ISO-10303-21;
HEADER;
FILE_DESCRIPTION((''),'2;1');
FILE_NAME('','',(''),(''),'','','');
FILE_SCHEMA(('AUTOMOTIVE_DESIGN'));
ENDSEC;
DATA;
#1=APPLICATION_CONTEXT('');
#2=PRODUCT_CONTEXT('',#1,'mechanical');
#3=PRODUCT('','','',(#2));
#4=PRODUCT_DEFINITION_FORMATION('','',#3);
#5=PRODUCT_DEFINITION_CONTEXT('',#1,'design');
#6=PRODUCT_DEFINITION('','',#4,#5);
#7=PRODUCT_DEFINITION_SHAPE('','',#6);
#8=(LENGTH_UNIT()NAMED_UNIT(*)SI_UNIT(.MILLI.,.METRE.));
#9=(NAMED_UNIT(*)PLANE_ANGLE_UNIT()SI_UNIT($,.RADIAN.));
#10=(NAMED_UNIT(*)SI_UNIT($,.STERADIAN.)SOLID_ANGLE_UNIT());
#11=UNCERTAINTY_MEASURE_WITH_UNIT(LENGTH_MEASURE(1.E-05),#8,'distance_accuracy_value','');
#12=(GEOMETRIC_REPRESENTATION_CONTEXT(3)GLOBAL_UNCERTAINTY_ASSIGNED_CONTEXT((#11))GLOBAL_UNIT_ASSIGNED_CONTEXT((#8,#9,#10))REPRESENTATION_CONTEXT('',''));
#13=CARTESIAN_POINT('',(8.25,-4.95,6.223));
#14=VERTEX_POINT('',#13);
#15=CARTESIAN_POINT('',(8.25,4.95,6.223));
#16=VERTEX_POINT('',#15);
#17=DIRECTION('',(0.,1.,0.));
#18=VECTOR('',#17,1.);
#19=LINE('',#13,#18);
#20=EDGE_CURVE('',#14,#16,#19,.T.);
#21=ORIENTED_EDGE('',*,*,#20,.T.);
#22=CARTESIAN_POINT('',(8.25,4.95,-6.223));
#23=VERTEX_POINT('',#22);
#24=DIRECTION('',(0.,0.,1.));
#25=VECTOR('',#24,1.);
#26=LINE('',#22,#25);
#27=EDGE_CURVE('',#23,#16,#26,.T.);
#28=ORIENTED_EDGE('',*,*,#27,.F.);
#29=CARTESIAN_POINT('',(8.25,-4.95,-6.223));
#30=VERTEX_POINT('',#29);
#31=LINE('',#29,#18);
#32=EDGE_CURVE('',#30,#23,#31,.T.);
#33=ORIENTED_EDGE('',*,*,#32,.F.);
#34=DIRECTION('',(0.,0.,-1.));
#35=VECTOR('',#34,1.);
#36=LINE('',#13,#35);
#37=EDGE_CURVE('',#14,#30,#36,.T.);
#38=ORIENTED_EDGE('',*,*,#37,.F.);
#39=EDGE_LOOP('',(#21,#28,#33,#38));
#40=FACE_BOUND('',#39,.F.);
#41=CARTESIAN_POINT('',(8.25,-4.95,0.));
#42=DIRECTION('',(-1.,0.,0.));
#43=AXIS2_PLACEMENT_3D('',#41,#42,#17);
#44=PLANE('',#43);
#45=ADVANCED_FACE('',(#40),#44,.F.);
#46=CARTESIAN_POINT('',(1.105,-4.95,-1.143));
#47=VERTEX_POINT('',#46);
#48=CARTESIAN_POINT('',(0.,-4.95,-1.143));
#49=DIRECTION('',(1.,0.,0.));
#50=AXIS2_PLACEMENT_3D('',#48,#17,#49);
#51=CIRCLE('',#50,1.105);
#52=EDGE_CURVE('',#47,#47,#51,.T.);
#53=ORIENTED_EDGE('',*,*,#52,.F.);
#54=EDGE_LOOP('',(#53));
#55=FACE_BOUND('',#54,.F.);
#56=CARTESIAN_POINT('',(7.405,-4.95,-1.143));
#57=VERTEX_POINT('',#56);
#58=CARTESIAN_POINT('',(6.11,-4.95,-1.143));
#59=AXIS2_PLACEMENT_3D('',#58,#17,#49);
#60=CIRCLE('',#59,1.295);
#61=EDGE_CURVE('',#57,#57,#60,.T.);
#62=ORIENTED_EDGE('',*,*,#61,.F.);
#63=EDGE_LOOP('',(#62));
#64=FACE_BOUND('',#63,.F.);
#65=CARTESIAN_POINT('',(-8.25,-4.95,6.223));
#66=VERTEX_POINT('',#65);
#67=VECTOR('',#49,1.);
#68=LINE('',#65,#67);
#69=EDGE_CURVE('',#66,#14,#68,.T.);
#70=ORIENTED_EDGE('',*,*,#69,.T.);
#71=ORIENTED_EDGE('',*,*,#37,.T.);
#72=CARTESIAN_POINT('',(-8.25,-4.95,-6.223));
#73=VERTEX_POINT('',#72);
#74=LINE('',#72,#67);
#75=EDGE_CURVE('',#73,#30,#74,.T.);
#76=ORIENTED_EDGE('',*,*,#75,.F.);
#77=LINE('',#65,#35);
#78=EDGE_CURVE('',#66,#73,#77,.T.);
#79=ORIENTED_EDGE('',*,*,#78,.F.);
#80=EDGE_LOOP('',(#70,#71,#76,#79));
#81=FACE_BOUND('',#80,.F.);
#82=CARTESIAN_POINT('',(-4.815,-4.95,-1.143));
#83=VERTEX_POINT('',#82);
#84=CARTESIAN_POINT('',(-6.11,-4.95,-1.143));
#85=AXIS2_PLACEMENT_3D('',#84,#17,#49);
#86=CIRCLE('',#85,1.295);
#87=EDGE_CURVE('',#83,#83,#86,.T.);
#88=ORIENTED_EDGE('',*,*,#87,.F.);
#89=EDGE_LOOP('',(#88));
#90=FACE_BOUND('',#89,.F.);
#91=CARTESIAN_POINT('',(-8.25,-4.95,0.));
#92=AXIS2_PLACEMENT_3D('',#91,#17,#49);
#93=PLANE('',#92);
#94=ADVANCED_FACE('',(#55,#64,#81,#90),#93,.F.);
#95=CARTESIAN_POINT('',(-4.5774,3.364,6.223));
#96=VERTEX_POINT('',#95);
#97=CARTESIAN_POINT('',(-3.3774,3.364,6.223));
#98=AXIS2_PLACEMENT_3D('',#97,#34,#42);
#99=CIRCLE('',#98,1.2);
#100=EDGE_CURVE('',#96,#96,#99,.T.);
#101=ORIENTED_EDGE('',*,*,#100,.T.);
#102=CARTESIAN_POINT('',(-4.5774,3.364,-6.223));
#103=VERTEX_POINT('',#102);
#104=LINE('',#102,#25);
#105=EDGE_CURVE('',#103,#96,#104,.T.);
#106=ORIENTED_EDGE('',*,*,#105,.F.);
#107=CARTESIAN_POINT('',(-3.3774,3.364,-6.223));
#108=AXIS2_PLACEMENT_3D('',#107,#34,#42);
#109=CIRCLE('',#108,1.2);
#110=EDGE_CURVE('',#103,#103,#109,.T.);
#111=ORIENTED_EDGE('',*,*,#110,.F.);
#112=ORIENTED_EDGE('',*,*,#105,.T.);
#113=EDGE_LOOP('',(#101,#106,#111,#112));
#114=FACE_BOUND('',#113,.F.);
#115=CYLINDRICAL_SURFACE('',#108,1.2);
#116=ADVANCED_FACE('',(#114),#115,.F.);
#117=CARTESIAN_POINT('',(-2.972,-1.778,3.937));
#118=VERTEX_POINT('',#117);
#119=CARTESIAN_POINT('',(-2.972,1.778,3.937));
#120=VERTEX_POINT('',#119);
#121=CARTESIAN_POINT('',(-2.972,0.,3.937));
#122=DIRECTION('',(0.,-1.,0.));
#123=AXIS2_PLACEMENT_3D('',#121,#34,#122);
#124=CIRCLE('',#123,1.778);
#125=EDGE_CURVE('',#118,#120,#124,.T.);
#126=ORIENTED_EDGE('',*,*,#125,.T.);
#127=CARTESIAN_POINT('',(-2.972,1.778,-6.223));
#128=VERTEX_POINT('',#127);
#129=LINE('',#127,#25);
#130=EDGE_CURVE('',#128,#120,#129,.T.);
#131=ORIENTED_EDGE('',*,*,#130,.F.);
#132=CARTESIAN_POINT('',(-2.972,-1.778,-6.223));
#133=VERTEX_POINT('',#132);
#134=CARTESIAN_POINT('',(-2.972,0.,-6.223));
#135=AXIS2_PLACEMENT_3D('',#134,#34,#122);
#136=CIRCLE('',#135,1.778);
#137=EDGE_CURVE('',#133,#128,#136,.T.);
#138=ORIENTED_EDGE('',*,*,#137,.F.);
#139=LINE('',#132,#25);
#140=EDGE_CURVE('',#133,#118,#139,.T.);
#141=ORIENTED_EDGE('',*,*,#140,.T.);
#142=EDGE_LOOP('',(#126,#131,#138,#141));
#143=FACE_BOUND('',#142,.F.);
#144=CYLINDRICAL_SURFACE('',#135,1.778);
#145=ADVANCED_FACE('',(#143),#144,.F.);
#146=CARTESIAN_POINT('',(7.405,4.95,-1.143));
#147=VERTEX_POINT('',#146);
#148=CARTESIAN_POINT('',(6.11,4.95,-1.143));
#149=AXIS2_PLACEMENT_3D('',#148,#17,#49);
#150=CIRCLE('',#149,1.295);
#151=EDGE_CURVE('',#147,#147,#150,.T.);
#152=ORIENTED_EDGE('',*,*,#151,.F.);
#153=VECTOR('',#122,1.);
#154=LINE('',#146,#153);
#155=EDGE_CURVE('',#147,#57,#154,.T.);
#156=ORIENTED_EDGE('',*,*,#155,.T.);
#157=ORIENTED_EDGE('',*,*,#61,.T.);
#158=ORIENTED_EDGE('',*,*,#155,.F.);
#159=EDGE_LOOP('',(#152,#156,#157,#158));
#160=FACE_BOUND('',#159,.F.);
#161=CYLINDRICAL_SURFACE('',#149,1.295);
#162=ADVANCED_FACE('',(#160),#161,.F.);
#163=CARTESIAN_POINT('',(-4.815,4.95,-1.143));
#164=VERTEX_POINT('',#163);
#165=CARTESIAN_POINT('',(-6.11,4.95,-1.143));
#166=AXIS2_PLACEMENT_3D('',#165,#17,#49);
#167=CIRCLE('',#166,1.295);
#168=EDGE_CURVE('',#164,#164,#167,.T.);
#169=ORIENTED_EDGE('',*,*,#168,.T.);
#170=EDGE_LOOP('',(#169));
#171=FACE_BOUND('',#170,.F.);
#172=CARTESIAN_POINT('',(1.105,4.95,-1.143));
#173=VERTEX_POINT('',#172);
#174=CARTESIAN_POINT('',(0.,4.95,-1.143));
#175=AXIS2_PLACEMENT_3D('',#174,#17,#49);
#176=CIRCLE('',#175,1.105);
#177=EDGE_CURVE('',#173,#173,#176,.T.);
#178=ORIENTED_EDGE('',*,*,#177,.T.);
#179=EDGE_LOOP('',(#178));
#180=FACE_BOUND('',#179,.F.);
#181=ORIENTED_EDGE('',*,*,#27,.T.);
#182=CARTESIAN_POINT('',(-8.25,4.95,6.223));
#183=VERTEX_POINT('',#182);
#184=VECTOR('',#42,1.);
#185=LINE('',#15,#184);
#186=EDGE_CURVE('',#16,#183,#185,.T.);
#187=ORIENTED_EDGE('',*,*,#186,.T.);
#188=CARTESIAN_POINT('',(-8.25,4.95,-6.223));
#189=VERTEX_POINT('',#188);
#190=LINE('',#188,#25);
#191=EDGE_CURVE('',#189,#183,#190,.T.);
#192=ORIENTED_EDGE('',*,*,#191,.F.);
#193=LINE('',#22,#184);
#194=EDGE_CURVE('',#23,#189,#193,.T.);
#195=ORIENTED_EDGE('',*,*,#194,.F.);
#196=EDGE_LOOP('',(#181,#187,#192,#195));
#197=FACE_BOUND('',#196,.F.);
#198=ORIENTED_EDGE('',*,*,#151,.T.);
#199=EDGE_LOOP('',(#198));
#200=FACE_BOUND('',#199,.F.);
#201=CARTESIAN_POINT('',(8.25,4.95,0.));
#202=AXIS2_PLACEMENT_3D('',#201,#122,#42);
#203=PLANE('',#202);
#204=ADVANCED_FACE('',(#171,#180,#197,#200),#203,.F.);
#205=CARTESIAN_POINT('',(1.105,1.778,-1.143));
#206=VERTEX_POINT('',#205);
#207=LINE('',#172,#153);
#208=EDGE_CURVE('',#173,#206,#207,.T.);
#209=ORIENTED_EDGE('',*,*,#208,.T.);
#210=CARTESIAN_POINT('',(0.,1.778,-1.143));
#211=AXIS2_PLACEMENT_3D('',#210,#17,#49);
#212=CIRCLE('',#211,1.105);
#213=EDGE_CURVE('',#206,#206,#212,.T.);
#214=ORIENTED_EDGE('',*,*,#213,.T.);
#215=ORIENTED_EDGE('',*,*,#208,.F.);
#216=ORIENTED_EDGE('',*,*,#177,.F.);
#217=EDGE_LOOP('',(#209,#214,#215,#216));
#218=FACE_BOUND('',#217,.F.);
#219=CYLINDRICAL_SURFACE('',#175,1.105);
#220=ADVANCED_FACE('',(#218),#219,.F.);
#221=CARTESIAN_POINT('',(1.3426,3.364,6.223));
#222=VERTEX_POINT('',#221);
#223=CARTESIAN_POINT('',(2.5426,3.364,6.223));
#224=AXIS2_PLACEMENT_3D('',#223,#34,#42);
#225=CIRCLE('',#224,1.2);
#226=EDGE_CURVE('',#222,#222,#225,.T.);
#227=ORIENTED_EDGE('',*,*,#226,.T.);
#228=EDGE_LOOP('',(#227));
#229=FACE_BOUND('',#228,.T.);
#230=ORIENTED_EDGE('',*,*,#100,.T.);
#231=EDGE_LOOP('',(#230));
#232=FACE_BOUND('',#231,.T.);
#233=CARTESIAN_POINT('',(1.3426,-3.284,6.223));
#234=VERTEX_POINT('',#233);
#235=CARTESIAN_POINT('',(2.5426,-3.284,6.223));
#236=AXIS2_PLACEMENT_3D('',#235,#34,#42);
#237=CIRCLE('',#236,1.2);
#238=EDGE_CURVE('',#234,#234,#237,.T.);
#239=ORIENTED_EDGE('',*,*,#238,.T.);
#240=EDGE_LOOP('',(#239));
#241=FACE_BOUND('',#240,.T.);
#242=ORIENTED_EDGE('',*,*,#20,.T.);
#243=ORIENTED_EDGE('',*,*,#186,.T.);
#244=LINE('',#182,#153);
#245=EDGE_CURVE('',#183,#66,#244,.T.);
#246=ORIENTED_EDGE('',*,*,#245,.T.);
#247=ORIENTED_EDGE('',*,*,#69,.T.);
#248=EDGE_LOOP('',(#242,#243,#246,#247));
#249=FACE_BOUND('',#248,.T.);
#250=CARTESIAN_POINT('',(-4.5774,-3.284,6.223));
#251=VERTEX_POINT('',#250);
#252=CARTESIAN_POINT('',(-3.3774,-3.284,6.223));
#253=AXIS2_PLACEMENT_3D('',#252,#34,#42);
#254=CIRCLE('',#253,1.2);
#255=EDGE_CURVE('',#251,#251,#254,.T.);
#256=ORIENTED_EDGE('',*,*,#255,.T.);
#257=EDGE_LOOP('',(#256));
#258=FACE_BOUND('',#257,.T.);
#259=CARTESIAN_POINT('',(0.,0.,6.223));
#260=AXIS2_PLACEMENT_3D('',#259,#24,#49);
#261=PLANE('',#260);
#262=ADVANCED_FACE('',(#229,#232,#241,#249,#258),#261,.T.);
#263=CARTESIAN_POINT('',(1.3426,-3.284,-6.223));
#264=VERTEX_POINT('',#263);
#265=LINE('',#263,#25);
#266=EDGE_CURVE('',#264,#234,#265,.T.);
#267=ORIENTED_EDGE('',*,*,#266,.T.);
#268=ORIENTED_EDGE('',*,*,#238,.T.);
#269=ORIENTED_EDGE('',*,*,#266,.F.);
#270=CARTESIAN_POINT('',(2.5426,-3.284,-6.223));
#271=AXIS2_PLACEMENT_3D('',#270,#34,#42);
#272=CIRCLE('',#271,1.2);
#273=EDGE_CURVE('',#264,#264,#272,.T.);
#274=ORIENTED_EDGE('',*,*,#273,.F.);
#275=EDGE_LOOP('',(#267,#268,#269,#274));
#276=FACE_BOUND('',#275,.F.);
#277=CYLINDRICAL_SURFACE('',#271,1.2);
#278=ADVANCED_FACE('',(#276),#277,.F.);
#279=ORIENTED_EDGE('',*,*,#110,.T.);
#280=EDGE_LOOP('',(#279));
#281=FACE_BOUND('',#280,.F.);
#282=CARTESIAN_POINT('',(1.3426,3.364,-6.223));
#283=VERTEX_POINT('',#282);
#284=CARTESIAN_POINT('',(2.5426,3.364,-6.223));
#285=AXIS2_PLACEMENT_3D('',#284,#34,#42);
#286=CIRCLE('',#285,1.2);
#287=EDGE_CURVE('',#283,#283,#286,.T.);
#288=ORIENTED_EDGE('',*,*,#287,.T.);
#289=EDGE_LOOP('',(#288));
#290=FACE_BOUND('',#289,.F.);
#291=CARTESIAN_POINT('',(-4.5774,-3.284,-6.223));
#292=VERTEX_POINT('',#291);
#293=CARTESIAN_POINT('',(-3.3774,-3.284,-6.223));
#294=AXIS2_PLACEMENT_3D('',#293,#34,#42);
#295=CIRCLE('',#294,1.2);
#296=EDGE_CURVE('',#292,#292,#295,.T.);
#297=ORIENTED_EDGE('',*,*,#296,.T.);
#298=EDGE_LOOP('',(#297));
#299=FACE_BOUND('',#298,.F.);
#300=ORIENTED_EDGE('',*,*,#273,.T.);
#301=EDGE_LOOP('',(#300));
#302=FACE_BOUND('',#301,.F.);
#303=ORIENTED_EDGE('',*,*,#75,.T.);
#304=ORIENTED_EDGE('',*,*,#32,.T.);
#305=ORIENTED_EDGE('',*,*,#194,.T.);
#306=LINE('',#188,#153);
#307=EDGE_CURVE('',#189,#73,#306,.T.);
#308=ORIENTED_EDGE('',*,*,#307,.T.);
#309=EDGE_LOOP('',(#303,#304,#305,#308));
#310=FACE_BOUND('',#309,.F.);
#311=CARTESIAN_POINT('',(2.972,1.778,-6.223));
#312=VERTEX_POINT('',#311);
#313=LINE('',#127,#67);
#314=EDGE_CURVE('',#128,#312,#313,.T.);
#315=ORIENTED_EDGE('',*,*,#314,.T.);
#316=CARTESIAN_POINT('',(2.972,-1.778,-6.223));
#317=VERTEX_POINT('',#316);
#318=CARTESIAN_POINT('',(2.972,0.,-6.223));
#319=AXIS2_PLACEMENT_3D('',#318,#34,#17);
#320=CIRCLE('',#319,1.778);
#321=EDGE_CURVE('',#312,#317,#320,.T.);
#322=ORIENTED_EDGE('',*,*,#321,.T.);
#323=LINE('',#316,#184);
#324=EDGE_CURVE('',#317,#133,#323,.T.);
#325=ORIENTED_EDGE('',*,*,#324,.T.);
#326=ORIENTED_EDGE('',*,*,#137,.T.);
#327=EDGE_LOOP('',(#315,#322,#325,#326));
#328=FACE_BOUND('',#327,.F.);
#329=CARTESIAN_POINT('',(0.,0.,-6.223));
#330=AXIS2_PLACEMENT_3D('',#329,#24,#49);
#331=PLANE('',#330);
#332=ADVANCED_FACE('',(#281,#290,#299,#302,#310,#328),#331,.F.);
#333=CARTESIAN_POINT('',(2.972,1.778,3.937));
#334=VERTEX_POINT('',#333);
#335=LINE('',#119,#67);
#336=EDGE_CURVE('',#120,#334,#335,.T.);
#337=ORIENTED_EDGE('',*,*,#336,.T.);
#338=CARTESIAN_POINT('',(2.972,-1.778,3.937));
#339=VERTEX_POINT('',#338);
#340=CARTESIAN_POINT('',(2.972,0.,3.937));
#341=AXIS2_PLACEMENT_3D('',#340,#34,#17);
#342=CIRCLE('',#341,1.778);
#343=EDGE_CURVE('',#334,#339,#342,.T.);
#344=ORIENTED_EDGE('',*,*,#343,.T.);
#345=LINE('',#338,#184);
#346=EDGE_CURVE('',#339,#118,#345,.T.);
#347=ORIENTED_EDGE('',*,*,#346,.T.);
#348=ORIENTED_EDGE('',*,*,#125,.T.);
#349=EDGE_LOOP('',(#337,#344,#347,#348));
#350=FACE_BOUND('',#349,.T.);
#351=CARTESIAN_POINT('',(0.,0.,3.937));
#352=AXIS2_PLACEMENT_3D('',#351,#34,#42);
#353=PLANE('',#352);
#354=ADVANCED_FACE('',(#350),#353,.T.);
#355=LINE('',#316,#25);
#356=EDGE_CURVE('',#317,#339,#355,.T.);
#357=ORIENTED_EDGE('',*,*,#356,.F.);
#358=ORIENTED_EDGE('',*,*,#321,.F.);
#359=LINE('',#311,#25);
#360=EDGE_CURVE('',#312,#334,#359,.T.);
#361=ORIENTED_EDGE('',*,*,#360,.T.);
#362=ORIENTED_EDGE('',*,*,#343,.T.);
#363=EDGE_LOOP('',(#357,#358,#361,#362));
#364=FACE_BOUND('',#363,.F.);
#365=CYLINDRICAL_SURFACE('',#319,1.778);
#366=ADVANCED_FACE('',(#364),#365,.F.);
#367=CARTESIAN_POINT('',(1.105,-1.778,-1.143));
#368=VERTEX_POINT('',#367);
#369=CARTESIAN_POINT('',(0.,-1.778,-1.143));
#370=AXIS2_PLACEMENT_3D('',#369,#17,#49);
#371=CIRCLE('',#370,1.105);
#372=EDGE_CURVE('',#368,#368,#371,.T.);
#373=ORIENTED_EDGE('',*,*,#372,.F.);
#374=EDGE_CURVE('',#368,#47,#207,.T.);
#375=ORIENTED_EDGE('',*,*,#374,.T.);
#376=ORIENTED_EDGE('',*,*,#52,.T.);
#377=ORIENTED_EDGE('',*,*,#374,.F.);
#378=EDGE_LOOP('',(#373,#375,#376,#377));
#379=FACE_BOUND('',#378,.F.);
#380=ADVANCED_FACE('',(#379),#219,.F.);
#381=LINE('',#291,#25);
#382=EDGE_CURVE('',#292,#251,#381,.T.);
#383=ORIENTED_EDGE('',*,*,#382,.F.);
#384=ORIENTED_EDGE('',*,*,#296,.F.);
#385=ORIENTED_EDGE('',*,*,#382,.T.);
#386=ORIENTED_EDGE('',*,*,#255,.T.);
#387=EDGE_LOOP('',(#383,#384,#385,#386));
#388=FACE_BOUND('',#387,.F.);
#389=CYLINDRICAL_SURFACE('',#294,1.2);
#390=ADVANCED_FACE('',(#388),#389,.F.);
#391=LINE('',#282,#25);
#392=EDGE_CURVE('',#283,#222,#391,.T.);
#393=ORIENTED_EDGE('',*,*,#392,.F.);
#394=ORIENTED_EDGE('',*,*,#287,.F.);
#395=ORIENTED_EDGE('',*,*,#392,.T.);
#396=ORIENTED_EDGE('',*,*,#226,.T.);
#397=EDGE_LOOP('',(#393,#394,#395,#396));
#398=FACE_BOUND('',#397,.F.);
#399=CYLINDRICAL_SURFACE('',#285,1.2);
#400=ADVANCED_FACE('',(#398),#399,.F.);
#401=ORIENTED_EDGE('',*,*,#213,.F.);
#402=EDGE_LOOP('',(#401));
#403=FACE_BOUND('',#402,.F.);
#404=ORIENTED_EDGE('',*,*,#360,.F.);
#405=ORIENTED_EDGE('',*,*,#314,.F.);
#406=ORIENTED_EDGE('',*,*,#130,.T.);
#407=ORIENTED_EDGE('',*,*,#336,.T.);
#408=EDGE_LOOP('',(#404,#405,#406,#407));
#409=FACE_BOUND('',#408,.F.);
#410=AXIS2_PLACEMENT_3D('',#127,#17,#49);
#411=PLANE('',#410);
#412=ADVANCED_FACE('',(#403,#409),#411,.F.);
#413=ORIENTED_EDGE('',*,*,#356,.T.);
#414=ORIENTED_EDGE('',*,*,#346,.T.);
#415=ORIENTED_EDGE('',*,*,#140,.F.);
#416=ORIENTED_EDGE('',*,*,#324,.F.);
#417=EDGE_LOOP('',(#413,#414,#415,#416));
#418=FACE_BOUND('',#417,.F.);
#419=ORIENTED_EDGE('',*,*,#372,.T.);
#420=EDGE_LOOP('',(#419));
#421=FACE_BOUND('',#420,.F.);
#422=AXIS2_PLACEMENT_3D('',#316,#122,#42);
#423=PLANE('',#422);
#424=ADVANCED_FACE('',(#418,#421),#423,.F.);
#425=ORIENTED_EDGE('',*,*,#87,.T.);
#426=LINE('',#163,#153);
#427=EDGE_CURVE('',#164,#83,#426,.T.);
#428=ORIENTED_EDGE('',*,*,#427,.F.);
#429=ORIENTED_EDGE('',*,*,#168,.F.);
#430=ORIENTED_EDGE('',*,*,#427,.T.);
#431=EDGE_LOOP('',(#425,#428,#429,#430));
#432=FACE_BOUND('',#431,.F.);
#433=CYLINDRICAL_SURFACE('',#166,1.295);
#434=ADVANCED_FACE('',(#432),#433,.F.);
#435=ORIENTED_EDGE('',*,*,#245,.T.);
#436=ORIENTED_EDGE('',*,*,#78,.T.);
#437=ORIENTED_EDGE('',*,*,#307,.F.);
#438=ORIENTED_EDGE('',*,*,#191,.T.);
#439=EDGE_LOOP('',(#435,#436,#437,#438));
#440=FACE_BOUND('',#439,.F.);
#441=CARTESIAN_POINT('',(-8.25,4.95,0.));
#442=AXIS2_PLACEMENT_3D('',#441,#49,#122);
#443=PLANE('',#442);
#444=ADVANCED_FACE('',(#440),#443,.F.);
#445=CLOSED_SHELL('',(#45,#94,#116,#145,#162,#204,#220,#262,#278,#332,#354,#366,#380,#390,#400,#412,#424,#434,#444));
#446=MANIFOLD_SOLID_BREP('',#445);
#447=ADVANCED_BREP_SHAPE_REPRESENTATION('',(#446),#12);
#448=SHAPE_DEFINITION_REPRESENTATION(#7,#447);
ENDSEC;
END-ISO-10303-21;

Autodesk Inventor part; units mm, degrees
ref_plane "YZ Plane" through (0, 0, 0) normal (1, 0, 0) x (0, 1, 0)
ref_plane "XZ Plane" through (0, 0, 0) normal (0, 1, 0) x (-1, 0, 0)
ref_plane "XY Plane" through (0, 0, 0) normal (0, 0, 1) x (1, 0, 0)
sketch "Sketch1" plane through (0, 0, 0) normal (0, 0, 1) x (1, 0, 0)
  line L0 (8.25, 4.95) -> (-8.25, 4.95)
  line L1 (-8.25, 4.95) -> (-8.25, -4.95)
  line L2 (-8.25, -4.95) -> (8.25, -4.95)
  line L3 (8.25, -4.95) -> (8.25, 4.95)
  point P0 (0, 0)
  dimension "d19" = 9.9
extrude "Box" add sketch "Sketch1" along normal mid plane 12.446
sketch "Sketch3" plane through (0, 0, -6.223) normal (0, 0, -1) x (-1, 0, 0)
  line L0 (-5.08, 0) -> (5.08, 0) construction
  line L1 (-4.75, 0) -> (4.75, 0) construction
  line L2 (-2.972, -1.778) -> (2.972, -1.778)
  line L3 (2.972, 1.778) -> (-2.972, 1.778)
  arc A0 (-2.972, 1.778) -> (-2.972, -1.778) centre (-2.972, 0) ccw
  arc A1 (2.972, -1.778) -> (2.972, 1.778) centre (2.972, 0) ccw
  point P0 (0, 0)
  point P1 (0, 0)
  point P2 (0, 0)
  dimension "d31" = 9.5
extrude "Slot" cut sketch "Sketch3" against normal blind 10.16
sketch "Sketch4" plane through (0, 0, -6.223) normal (0, 0, -1) x (-1, 0, 0)
  circle A0 centre (-2.5426, 3.364) radius 1.2
  line L0 (-2.972, 1.778) -> (2.972, 1.778) projected
  line L1 (8.25, 4.95) -> (-8.25, 4.95) projected
  point P0 (0, 0)
  dimension "d32" = 2.4
  dimension "d33" = 3.172
  dimension "d34" = 1.586
extrude "MountingHole" cut sketch "Sketch4" against normal blind 12.5
pattern_linear "Mounting Holes" count 2 spacing 5.92 along (-1, 0, 0) count 2 spacing 6.648 along (0, -1, 0) of "MountingHole"
sketch "Sketch6" plane through (-8.25, 4.95, 6.223) normal (0, 1, 0) x (1, 0, 0)
  circle A0 centre (8.25, 7.366) radius 1.105
  point P0 (8.25, 6.223)
  dimension "d20" = 2.21
extrude "CentralSMAHole" cut sketch "Sketch6" against normal blind 10
sketch "Sketch8" plane through (-8.25, 4.95, 6.223) normal (0, 1, 0) x (1, 0, 0)
  circle A0 centre (14.36, 7.366) radius 1.295
  point P0 (8.25, 6.223)
  dimension "d23" = 2.59
extrude "SMAMounting" cut sketch "Sketch8" against normal blind 10
pattern_linear "SMAMountingHoles" count 2 spacing 12.22 along (-1, 0, 0) of "SMAMounting"
equation "\"d34\" = 0.5 * d33"
properties part number "NewSink"
